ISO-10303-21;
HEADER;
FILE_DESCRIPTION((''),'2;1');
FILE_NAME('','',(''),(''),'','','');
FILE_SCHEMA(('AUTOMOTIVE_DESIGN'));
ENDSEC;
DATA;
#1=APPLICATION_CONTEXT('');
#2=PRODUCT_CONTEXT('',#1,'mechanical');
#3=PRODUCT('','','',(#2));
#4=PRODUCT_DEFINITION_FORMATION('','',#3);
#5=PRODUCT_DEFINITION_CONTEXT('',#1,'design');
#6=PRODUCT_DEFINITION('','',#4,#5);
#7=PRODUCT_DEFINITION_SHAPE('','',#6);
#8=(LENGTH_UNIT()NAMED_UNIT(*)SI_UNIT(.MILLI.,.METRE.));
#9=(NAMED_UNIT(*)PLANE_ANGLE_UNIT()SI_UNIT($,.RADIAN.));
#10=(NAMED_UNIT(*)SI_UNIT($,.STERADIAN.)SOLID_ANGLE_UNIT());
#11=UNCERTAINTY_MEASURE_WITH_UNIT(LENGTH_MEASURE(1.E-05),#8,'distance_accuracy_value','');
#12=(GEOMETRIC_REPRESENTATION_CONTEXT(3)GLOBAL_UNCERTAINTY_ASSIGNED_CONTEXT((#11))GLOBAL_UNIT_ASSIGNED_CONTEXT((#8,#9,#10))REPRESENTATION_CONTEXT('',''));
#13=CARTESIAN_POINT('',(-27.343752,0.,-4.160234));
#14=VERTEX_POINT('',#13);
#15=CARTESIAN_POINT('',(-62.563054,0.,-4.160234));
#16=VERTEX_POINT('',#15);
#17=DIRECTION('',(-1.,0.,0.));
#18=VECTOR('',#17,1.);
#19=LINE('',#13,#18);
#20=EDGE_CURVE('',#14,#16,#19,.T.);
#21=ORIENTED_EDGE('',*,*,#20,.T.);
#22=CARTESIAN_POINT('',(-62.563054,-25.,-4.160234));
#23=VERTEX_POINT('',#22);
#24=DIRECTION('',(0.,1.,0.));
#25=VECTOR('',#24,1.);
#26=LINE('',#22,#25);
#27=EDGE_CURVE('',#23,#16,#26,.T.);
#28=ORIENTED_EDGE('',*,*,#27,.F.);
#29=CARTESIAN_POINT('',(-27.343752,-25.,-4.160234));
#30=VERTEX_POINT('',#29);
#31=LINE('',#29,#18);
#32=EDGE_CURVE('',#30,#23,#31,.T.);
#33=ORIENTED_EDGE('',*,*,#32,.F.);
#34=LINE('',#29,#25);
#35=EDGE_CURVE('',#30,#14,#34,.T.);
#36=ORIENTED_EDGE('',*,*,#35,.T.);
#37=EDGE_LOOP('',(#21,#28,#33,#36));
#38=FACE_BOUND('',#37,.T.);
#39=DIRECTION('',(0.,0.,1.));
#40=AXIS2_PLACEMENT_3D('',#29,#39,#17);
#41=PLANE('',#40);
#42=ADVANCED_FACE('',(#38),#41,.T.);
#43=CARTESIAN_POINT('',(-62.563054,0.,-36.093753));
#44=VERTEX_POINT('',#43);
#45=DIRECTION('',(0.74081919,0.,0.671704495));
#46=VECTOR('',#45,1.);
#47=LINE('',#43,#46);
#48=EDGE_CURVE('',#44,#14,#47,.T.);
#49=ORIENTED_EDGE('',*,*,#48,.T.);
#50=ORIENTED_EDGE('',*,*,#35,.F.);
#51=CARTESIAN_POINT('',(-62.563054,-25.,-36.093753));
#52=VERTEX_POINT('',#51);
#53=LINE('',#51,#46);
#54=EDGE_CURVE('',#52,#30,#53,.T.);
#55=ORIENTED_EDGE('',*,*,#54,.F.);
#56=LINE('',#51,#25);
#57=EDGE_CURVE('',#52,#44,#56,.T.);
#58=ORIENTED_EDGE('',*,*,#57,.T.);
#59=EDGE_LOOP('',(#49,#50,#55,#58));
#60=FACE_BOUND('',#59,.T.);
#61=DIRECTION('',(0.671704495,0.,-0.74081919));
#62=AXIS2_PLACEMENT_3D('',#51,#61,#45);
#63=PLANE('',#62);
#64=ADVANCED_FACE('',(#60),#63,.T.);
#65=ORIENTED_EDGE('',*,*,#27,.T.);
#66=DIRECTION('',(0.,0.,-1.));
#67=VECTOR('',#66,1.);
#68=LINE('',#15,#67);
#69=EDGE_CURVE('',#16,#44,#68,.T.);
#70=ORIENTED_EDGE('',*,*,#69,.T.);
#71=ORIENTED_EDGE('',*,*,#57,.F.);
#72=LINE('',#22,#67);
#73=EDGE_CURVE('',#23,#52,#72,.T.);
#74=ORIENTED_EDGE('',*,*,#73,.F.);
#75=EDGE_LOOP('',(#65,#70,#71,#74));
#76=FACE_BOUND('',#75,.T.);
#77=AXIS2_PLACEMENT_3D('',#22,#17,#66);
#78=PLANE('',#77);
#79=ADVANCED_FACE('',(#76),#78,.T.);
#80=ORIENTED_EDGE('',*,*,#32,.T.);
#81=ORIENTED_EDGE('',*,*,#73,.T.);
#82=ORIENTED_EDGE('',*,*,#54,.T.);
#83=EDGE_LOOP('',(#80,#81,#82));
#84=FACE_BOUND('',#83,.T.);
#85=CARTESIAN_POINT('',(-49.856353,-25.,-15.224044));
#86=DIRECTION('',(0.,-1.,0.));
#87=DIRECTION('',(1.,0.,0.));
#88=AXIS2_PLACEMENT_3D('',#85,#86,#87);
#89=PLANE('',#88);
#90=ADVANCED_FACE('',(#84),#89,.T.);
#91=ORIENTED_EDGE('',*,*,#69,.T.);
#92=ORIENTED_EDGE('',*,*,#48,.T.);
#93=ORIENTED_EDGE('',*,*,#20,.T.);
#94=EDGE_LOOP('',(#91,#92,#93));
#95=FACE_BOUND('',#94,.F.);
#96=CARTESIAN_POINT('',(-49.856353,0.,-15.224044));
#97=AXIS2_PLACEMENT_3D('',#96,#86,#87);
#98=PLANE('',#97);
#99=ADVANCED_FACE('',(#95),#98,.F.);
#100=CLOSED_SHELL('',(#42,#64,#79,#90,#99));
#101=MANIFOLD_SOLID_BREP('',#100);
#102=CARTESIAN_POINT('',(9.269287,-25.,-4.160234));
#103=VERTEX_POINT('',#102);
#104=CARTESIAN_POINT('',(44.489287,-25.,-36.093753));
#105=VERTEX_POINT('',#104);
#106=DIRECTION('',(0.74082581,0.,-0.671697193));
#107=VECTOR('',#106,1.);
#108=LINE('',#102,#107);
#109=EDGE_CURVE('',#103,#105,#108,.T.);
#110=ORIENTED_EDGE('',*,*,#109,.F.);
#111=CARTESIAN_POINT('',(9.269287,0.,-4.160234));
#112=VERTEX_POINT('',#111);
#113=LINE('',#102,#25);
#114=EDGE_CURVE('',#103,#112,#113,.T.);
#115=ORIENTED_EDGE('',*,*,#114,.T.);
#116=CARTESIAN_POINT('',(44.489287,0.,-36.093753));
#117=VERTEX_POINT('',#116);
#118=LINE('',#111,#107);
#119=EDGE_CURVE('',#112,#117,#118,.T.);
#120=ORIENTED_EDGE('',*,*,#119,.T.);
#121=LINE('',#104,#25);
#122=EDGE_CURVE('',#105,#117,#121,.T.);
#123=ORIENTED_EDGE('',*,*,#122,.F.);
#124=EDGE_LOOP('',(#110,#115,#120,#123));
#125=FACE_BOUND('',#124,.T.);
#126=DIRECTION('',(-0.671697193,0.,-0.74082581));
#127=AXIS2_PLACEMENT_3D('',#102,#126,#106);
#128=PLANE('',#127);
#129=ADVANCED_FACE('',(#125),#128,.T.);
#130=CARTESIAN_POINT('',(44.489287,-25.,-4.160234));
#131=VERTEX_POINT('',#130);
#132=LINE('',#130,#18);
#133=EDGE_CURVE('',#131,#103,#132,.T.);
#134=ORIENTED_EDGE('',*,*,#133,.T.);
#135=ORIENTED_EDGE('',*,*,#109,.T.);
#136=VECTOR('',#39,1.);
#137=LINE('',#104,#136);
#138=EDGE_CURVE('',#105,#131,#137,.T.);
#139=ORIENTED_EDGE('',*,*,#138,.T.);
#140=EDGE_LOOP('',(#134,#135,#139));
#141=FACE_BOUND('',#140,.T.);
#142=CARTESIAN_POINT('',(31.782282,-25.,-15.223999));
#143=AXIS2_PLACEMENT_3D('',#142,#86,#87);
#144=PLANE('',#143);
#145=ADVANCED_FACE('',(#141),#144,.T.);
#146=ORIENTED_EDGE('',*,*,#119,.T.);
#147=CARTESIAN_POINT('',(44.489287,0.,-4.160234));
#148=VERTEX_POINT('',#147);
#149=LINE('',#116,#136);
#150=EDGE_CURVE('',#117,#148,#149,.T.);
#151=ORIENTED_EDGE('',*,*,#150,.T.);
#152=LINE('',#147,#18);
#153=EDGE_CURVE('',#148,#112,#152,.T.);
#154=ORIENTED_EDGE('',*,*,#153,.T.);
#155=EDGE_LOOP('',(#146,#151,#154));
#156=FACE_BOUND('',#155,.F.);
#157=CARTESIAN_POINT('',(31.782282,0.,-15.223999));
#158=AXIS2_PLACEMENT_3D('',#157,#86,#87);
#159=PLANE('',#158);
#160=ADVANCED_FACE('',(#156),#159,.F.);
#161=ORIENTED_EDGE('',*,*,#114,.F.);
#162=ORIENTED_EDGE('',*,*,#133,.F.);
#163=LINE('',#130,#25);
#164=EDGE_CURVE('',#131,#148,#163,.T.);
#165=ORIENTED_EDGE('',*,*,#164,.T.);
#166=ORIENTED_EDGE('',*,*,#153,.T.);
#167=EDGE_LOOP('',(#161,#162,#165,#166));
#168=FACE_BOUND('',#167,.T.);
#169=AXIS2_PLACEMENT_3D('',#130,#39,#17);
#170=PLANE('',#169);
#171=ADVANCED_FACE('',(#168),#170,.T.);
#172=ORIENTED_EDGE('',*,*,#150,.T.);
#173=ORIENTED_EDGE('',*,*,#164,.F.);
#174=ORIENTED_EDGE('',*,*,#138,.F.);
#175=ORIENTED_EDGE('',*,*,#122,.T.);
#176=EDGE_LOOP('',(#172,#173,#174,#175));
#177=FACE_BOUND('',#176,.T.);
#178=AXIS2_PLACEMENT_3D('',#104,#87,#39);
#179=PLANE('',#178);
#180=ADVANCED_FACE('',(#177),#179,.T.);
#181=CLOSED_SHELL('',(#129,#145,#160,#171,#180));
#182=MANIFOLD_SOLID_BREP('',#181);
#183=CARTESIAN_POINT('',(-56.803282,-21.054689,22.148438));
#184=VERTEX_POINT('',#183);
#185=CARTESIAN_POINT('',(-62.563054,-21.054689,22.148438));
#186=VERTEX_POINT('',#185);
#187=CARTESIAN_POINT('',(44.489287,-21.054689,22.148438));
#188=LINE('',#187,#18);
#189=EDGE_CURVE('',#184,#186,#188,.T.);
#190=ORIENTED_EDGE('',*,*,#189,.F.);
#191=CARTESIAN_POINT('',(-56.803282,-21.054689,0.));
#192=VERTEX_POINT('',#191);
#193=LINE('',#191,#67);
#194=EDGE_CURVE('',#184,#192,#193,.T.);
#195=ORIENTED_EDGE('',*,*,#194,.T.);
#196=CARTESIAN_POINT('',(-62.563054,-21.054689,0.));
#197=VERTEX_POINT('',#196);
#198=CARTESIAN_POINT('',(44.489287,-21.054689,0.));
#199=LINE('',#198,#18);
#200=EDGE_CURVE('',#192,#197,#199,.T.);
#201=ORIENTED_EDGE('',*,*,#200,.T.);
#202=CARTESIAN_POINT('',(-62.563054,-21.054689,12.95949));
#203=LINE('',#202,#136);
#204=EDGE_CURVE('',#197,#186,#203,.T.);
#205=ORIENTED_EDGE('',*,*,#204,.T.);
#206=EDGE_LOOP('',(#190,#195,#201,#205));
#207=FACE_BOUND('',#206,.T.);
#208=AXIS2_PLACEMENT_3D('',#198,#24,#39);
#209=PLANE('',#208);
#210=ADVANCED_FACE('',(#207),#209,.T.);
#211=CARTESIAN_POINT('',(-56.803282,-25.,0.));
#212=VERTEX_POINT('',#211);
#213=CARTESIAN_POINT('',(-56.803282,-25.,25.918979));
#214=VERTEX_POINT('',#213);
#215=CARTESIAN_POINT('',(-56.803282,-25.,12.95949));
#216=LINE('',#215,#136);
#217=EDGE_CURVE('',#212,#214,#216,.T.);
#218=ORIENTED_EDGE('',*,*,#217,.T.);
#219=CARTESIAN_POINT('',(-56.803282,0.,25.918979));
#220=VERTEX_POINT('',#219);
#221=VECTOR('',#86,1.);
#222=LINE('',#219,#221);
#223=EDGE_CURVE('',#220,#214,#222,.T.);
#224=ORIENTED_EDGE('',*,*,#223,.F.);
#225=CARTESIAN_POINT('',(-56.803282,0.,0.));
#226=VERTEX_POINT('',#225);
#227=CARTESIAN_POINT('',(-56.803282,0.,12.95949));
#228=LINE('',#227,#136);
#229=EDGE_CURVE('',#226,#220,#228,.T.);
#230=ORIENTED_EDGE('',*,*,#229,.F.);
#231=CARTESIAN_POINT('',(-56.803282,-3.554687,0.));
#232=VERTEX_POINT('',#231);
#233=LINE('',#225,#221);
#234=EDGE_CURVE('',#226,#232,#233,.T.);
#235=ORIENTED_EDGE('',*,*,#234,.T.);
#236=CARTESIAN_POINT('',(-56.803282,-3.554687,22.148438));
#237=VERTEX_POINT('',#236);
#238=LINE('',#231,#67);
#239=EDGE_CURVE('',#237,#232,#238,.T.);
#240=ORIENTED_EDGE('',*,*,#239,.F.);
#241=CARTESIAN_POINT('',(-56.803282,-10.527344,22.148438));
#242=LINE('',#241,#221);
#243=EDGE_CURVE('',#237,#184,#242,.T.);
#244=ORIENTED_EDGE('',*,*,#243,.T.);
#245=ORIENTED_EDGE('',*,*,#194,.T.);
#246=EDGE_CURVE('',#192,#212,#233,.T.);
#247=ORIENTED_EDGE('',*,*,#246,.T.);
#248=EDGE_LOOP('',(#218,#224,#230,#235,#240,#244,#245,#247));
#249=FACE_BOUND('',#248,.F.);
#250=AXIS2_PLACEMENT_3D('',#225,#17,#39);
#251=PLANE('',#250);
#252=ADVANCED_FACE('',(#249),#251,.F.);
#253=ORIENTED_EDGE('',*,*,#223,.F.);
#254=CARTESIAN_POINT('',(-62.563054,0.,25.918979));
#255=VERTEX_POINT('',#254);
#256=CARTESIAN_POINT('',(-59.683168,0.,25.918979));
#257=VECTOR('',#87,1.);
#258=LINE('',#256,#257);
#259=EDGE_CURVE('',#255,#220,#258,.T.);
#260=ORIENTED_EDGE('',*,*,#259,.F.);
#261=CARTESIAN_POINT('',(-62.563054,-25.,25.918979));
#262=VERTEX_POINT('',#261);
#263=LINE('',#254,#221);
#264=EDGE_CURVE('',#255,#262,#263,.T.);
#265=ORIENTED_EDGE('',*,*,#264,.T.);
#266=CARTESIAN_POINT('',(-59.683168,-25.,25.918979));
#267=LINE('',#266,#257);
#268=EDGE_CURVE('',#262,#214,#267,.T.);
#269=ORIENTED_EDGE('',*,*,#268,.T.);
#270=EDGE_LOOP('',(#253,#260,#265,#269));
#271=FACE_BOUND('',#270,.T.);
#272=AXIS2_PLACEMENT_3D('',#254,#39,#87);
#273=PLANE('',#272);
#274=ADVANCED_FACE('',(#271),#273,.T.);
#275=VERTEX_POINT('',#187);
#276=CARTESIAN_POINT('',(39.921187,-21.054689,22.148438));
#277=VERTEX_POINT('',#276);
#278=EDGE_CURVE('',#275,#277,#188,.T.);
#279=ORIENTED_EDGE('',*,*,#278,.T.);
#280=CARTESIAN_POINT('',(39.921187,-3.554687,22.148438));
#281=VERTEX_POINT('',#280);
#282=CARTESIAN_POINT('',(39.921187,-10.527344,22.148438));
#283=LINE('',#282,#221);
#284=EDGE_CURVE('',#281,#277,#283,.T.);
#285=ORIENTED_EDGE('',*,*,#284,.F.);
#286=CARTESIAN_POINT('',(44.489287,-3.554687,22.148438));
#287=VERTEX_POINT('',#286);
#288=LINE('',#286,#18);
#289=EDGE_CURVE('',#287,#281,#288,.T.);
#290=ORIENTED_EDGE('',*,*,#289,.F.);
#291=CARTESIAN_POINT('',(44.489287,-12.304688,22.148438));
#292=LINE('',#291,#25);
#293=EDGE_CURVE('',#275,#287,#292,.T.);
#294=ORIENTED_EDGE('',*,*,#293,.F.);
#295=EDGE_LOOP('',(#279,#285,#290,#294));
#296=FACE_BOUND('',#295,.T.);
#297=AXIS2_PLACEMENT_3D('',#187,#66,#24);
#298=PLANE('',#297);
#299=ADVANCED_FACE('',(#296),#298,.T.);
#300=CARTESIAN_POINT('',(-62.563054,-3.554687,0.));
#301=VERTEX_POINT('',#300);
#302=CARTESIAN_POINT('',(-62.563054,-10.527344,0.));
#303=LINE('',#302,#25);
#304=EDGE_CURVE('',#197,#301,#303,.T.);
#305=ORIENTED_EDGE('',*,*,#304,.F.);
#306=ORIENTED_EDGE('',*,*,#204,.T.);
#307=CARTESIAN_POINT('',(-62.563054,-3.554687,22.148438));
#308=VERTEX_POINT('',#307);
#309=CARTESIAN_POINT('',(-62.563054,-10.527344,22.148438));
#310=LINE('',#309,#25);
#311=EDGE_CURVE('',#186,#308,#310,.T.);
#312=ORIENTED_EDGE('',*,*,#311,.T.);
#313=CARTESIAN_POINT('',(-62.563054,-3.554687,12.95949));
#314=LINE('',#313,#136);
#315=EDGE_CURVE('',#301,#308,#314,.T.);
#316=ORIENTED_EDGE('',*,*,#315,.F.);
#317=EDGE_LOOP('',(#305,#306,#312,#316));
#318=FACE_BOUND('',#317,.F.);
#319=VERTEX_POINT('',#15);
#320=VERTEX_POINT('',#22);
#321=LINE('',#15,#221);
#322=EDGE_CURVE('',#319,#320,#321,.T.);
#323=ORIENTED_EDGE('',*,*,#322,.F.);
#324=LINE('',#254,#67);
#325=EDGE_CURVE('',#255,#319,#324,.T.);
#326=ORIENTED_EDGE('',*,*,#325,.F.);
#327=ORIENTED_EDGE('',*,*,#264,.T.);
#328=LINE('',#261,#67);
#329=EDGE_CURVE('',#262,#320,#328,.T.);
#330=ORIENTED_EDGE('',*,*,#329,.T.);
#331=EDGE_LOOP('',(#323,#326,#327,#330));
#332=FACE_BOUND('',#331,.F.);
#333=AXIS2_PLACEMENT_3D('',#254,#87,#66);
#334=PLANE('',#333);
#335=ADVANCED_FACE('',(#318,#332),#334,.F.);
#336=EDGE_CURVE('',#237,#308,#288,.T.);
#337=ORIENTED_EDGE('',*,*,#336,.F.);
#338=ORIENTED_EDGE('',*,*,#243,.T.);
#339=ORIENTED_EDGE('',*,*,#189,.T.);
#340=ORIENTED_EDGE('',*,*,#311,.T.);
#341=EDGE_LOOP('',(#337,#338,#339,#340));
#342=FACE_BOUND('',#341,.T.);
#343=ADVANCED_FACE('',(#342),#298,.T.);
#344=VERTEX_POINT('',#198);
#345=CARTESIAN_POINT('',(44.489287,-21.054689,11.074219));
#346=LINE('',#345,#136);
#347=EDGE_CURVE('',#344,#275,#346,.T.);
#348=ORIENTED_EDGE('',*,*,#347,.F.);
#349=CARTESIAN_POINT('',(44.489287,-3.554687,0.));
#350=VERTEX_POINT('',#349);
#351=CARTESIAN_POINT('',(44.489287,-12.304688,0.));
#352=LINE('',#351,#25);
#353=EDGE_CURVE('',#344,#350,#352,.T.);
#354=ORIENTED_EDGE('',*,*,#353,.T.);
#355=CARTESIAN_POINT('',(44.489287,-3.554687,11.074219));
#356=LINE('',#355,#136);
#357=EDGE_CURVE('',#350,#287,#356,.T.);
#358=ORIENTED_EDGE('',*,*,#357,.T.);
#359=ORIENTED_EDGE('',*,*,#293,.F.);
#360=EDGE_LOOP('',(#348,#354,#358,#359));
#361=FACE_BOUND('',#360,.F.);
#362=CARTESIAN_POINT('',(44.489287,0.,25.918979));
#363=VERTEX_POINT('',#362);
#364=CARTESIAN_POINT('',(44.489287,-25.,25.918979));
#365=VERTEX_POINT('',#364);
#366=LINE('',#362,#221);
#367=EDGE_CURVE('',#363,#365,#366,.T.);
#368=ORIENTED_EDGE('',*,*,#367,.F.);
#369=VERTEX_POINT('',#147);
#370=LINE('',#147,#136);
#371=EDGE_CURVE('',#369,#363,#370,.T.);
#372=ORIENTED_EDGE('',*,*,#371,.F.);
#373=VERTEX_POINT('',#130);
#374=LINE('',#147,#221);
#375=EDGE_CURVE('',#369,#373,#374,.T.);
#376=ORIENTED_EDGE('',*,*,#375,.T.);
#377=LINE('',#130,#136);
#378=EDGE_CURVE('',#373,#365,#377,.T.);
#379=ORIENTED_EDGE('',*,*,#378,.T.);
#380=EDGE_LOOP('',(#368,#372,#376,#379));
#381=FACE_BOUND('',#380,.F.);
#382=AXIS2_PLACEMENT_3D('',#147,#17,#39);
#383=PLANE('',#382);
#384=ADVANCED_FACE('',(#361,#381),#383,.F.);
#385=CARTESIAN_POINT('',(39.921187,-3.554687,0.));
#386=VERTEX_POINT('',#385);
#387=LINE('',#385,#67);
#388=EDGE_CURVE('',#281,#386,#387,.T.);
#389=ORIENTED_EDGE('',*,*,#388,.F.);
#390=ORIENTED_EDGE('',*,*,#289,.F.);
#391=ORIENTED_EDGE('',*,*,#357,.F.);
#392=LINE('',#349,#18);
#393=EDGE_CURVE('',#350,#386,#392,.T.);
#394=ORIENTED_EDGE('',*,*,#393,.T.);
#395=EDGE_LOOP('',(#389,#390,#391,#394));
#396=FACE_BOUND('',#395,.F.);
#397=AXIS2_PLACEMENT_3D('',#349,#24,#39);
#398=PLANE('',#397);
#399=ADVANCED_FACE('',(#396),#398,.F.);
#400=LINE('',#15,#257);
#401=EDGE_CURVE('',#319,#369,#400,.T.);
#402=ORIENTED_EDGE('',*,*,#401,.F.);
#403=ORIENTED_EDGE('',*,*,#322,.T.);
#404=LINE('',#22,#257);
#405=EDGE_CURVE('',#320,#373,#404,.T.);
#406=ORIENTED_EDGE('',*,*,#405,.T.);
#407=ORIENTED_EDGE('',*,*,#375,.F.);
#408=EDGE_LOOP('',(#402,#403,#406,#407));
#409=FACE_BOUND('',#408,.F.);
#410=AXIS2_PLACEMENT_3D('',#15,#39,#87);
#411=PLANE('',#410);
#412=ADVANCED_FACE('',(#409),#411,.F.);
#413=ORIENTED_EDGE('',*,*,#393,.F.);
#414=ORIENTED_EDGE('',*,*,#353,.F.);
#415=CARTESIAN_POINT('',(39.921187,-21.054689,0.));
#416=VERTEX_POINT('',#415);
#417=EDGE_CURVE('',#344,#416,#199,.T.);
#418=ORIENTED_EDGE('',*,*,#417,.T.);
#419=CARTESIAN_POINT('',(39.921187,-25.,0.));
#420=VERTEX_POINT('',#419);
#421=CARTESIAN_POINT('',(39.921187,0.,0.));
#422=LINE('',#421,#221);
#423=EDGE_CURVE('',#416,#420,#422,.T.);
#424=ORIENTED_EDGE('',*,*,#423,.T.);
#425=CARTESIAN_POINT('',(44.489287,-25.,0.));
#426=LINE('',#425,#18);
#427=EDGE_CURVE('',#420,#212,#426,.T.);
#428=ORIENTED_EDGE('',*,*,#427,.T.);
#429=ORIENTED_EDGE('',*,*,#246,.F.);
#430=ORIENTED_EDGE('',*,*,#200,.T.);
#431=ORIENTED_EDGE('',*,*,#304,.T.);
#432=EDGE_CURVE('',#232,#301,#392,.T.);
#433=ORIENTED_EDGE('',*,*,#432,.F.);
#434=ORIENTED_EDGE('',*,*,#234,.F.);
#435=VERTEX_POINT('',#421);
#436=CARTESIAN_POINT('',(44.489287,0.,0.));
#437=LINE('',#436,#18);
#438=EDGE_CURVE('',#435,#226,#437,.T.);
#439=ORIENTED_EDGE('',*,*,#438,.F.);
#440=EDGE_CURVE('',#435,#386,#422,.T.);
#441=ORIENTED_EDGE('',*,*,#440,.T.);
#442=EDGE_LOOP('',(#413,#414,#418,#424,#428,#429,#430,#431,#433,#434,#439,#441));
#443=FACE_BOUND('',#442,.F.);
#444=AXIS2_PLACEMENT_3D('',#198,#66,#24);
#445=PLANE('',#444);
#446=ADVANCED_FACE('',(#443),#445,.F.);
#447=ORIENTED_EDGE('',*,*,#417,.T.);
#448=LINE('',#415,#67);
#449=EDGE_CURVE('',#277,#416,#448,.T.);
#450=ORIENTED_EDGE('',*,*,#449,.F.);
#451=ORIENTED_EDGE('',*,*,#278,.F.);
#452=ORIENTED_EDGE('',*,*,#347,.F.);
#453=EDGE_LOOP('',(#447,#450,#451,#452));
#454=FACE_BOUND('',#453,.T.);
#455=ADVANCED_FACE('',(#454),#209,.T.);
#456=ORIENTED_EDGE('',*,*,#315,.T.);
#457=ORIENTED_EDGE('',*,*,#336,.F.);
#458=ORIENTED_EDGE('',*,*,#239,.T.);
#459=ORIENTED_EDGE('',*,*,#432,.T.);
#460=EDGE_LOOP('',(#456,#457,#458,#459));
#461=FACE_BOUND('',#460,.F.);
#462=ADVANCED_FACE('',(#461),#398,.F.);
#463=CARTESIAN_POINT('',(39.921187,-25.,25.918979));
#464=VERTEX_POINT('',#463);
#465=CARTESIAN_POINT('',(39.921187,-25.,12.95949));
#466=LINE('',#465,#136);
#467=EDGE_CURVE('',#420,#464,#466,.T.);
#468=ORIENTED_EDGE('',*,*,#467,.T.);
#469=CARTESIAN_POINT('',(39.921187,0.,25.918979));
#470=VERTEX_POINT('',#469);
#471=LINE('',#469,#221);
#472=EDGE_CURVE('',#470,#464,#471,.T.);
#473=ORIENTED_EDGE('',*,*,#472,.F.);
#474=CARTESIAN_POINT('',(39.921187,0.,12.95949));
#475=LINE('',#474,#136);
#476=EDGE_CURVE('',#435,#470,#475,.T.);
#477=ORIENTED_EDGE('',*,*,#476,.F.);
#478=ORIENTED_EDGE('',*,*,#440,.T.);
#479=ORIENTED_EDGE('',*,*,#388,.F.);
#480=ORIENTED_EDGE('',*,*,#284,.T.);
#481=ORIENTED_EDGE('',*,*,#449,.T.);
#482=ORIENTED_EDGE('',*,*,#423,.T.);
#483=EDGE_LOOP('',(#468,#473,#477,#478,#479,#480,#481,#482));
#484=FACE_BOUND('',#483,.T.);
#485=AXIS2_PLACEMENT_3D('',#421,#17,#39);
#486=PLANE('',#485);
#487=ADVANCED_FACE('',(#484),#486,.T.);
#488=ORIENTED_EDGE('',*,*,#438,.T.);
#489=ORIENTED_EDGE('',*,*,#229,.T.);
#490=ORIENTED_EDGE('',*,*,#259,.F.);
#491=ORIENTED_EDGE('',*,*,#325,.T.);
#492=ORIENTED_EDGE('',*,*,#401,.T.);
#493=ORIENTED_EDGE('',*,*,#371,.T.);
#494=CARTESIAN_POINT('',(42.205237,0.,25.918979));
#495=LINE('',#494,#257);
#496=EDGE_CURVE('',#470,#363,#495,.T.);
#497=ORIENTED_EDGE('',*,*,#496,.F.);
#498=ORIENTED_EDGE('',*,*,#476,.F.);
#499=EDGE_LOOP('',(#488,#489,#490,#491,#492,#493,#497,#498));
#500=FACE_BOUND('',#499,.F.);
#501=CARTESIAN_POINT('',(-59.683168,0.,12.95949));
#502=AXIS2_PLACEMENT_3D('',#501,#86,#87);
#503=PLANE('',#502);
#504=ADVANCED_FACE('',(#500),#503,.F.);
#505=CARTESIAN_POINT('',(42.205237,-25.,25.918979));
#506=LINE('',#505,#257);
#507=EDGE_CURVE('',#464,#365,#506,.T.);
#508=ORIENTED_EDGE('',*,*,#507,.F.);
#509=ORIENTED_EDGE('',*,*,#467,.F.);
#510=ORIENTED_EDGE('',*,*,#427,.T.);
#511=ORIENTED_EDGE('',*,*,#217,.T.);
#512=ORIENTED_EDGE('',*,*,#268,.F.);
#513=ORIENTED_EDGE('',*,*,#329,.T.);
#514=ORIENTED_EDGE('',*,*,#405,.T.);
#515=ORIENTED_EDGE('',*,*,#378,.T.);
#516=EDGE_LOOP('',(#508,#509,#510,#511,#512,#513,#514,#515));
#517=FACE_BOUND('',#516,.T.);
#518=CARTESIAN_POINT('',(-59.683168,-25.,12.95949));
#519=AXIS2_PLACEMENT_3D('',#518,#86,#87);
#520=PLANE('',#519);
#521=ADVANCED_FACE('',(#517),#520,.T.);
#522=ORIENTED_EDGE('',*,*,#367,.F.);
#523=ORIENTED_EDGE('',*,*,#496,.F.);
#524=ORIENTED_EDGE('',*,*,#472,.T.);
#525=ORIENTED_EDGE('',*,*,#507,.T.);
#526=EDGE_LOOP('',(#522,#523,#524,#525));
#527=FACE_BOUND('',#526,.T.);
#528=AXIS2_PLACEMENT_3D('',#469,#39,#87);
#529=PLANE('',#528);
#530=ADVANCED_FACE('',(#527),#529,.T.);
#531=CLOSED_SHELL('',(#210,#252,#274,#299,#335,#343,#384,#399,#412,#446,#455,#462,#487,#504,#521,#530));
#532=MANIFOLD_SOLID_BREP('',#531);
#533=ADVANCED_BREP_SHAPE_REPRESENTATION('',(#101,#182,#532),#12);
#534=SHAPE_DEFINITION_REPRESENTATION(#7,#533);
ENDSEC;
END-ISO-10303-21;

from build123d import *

# Parameters (mm, degrees)
F0_W     = 5.7597719133
F0_H     = 25.9189791977
F0_W_2   = 4.5680999756
F1_DEPTH = 25
F2_W     = 17.5000019372
F2_H     = 22.148437798
F3_DEPTH = 107.0533411036
F5_DEPTH = 25
F6_DEPTH = 25


with BuildPart() as f1:
    # F0 (on Front) → F1 (new body)
    with BuildSketch(Plane.XZ):
        with Locations((-59.6831683069, 12.9594895989)):
            Rectangle(F0_W, F0_H)
        Polygon((-56.8032823503, 0), (-62.5630542636, 0), (-62.5630542636, -4.1602337733), (44.48928684, -4.1602337733), (44.48928684, 0), (39.9211868644, 0), align=None)
        with Locations((42.2052368522, 12.9594895989)):
            Rectangle(F0_W_2, F0_H)
    extrude(amount=F1_DEPTH)

    # F2 (on face) → F3 (cut, through all)
    with BuildSketch(Plane.YZ.offset(44.48928684)):
        with Locations((-12.3046878725, 11.074218899)):
            Rectangle(F2_W, F2_H)
    extrude(amount=-F3_DEPTH, mode=Mode.SUBTRACT)


with BuildPart() as f5:
    # F4 (on face) → F5 (new body)
    with BuildSketch(Plane.XZ.offset(25)):
        Polygon((44.48928684, -4.1602337733), (9.26928684, -4.1602337733), (44.48928684, -36.0937528312), align=None)
    extrude(amount=-F5_DEPTH)


with BuildPart() as f6:
    # F4 (on face) → F6 (new body)
    with BuildSketch(Plane.XZ.offset(25)):
        Polygon((-27.3437518626, -4.1602337733), (-62.5630542636, -4.1602337733), (-62.5630542636, -36.0937528312), align=None)
    extrude(amount=-F6_DEPTH)


solid = Compound([f1.part, f5.part, f6.part])
